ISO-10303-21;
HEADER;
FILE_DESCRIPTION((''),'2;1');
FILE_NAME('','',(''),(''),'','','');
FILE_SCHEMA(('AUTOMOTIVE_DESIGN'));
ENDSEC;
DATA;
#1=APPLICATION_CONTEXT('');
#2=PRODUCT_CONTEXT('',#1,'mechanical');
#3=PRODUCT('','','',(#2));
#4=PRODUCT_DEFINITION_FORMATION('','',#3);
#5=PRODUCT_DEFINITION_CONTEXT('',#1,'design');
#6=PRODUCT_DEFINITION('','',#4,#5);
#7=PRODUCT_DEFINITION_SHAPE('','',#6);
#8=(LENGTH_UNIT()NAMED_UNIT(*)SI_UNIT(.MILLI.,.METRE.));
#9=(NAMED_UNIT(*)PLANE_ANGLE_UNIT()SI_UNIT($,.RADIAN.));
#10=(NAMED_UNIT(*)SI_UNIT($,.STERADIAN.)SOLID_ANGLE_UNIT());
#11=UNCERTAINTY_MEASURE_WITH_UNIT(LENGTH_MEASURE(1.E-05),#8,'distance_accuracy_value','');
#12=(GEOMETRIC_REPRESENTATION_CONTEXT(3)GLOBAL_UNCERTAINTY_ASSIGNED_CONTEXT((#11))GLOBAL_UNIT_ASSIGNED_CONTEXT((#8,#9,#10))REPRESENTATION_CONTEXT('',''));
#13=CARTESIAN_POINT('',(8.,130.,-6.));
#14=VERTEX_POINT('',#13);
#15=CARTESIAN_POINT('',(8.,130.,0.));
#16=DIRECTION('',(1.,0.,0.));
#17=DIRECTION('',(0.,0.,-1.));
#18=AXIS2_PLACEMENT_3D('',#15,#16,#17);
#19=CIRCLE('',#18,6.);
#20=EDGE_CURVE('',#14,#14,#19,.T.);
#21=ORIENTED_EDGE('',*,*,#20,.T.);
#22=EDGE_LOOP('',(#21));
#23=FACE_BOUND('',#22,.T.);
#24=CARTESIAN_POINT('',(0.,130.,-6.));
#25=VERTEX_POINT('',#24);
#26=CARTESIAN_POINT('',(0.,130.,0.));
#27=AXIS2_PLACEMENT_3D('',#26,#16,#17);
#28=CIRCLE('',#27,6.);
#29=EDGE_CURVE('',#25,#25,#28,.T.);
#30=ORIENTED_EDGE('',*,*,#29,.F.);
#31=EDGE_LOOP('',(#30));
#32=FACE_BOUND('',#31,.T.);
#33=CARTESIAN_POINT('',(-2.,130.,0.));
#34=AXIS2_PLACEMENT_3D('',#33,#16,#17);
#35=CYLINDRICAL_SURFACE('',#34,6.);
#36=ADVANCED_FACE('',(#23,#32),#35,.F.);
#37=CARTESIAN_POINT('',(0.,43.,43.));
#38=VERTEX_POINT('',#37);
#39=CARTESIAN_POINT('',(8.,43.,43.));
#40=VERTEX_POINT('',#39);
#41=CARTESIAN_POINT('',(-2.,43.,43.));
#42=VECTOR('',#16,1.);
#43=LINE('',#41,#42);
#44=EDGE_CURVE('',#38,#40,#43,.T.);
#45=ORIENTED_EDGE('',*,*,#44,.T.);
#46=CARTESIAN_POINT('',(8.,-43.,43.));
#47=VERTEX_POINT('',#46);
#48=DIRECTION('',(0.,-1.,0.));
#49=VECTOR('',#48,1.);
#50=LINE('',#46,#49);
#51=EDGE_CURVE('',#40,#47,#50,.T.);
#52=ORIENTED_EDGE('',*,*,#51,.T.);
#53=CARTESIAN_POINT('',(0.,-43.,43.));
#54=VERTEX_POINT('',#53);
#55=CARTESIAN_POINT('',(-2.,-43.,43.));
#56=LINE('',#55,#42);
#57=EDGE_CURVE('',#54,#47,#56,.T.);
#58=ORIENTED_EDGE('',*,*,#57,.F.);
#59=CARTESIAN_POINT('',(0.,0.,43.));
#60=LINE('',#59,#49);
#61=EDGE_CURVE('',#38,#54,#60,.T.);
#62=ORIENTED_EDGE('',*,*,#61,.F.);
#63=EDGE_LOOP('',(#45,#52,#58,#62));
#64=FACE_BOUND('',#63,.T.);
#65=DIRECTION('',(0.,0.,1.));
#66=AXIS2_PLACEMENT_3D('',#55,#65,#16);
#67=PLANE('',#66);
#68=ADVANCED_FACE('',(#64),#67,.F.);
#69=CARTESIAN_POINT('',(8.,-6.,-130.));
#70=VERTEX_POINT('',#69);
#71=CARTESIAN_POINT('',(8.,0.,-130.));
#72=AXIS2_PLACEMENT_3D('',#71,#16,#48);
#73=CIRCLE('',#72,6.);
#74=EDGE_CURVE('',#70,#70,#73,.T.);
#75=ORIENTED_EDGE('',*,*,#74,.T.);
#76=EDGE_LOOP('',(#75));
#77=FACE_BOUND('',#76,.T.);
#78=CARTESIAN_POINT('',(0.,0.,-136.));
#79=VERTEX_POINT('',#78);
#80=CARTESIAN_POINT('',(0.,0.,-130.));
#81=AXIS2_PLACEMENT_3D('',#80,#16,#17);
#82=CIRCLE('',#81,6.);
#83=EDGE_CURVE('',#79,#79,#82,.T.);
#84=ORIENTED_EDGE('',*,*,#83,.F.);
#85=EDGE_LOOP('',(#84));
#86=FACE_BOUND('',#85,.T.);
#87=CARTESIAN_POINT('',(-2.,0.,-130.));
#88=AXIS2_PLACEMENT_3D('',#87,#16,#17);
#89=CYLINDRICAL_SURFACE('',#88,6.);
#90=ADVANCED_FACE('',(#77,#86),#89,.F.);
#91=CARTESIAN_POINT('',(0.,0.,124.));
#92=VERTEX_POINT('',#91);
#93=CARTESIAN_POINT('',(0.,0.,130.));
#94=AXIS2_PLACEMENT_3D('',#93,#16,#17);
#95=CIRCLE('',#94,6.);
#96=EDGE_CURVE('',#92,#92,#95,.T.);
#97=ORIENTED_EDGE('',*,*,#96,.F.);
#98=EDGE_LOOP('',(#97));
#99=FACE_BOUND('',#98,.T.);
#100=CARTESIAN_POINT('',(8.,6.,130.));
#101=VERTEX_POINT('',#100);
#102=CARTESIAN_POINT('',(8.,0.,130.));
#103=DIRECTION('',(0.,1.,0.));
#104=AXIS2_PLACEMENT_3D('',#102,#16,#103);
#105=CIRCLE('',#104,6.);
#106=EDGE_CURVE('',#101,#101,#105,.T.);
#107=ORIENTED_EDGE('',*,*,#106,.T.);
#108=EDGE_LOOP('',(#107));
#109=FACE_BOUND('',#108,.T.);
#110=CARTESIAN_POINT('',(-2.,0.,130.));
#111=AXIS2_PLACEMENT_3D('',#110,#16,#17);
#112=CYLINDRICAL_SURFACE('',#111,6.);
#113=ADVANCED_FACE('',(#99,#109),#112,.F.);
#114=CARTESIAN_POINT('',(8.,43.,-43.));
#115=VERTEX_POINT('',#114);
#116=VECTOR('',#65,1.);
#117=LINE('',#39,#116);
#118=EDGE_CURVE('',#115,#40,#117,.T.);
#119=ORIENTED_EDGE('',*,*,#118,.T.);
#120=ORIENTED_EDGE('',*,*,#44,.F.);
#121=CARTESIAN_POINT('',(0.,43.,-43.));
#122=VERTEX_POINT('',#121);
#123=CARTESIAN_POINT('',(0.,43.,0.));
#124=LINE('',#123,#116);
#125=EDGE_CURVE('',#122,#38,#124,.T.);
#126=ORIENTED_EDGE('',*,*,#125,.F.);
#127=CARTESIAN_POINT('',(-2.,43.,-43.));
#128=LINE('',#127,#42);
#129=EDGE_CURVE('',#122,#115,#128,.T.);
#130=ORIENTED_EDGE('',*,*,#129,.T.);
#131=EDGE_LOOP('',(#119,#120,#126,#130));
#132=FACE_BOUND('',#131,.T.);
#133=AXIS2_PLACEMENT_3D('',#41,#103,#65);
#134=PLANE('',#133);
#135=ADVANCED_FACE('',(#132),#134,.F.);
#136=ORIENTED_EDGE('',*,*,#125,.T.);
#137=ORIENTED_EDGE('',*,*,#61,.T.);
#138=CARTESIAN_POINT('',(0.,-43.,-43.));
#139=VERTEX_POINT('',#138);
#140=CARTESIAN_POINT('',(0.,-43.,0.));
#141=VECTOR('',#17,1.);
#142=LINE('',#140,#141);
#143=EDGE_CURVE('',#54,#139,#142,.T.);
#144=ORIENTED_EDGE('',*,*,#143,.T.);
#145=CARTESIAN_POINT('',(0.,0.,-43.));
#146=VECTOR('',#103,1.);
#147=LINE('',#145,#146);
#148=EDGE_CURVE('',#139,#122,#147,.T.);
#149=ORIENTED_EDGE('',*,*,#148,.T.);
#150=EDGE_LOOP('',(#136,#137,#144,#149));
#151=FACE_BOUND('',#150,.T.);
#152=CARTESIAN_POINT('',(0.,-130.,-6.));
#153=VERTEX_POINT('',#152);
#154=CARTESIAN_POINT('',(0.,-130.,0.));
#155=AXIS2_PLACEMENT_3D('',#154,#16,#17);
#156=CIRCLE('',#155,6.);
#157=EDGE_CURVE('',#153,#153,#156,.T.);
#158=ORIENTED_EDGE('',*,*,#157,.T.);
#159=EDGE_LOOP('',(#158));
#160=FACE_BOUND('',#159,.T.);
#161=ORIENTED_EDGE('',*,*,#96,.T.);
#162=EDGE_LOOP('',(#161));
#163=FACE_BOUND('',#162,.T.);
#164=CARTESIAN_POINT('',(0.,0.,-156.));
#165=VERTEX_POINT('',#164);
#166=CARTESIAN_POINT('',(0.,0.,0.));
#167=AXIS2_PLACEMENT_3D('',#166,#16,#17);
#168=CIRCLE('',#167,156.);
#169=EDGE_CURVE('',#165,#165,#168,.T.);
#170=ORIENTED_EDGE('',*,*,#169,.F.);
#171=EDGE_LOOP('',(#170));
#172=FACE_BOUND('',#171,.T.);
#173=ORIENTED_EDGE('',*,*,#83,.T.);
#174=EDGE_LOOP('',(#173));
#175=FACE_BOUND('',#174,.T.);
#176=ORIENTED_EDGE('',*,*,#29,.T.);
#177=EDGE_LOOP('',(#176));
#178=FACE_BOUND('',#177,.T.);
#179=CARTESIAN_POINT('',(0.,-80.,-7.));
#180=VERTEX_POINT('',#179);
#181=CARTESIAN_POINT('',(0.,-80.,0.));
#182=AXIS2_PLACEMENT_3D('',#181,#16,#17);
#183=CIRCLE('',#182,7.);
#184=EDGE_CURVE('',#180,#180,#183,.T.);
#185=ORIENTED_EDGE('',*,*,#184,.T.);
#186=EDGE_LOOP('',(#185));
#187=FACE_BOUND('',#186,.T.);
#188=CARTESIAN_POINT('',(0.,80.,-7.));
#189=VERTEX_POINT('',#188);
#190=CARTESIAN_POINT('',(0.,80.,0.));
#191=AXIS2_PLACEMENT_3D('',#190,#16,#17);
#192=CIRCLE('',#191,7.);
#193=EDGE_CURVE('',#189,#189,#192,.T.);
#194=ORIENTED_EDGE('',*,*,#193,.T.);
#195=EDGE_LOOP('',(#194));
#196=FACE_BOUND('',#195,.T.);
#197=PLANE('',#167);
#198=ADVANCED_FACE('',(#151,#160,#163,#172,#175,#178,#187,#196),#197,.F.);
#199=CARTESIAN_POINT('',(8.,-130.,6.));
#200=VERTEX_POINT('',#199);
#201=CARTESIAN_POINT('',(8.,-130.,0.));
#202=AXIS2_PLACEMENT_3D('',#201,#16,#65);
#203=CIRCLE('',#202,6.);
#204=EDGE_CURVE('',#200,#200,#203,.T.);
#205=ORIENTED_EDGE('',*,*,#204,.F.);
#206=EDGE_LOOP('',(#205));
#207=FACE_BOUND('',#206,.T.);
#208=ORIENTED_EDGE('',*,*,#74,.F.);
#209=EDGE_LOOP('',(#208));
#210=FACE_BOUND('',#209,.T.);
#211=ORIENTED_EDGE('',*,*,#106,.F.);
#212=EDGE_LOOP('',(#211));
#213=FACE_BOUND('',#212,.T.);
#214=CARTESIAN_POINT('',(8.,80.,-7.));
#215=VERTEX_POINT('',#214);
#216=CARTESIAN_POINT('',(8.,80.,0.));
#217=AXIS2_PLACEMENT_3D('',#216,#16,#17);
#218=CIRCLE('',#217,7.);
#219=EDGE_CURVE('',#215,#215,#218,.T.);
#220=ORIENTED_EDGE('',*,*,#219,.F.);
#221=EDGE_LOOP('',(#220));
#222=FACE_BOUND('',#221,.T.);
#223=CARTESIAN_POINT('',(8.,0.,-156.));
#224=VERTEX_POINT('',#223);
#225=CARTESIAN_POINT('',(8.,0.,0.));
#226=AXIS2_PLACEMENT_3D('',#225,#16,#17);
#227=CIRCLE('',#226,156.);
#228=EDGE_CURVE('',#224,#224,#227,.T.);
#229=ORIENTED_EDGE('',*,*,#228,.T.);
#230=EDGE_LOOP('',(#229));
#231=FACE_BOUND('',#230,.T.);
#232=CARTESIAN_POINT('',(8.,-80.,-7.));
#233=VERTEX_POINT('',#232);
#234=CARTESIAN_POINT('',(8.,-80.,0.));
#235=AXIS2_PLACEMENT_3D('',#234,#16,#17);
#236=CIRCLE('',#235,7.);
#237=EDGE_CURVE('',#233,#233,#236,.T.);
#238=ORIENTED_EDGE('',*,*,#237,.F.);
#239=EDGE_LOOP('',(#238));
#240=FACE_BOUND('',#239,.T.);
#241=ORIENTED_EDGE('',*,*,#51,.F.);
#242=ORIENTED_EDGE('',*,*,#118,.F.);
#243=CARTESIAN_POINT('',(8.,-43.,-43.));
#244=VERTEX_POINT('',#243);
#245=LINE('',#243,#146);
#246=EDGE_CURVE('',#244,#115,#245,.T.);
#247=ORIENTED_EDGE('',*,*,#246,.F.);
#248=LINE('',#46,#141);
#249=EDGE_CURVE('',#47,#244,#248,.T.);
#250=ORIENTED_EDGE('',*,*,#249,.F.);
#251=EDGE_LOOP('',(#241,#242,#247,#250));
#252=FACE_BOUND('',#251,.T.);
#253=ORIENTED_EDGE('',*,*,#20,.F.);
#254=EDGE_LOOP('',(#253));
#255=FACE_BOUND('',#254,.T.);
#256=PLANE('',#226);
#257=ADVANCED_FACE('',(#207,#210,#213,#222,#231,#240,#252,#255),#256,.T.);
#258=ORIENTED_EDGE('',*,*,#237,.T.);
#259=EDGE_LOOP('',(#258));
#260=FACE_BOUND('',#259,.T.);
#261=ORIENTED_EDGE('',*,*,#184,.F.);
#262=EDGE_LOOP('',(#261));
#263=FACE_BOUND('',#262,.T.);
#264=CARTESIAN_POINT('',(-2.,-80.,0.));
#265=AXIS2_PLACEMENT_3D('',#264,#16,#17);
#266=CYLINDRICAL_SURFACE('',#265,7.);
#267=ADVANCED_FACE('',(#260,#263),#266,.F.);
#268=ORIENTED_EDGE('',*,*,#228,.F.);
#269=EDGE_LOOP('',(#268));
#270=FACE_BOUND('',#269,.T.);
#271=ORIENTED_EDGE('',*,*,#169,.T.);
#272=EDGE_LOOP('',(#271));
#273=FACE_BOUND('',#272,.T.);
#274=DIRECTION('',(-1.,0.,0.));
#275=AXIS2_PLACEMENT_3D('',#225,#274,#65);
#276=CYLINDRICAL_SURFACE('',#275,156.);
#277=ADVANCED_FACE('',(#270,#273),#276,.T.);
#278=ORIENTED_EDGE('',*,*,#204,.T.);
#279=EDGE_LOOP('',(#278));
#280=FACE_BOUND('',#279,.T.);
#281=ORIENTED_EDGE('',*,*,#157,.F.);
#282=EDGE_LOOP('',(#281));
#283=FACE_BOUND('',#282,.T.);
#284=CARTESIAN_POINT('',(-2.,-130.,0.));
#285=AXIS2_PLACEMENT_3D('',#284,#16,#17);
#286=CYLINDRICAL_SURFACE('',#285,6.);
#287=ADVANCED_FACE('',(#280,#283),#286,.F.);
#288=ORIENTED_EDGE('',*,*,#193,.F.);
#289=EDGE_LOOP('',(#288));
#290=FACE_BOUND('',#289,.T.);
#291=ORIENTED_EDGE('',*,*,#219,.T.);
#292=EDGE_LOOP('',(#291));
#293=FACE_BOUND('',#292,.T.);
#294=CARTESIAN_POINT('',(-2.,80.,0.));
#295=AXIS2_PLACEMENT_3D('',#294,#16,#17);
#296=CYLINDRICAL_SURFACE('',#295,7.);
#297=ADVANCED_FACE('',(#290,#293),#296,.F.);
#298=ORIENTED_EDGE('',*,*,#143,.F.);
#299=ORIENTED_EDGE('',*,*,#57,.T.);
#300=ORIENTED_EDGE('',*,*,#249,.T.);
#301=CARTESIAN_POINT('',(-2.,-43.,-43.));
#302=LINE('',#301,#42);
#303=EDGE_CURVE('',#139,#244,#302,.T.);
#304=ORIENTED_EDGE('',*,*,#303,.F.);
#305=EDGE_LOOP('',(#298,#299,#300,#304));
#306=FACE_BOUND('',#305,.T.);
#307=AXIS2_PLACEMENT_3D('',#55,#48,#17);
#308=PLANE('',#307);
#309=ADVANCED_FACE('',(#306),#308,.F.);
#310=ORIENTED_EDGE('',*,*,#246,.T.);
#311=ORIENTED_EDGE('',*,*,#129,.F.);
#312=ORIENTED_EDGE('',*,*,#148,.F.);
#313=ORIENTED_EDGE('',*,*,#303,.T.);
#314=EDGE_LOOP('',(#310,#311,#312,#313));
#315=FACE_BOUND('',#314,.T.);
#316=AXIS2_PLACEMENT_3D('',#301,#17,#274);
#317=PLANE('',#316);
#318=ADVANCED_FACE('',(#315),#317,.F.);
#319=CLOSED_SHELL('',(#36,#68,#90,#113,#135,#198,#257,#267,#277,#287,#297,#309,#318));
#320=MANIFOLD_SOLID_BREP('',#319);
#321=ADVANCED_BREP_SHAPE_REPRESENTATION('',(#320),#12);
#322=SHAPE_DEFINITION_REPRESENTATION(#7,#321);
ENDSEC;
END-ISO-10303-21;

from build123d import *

# Parameters (mm, degrees)
SKETCH_1_R               = 156
EXTRUDE_1_DEPTH          = 8
SKETCH_5_R               = 6
CUT_EXTRUDE_4_DEPTH      = 10
PATTERN_CIRCULAR_3_COUNT = 4
SKETCH_6_W               = 86
SKETCH_6_H               = 86
CUT_EXTRUDE_5_DEPTH      = 10
SKETCH_7_R               = 7
CUT_EXTRUDE_6_DEPTH      = 10


with BuildPart() as part:
    # 草图1 → 凸台-拉伸1 (new body)
    with BuildSketch(Plane(origin=(0, 0, 0), x_dir=(0, 0, -1), z_dir=(1, 0, 0))):
        Circle(SKETCH_1_R)
    extrude(amount=EXTRUDE_1_DEPTH)

    # 草图5 → 切除-拉伸4 (cut)
    with BuildSketch(Plane(origin=(8, 0, 0), x_dir=(0, 0, -1), z_dir=(1, 0, 0))):
        with Locations((0, 130)):
            Circle(SKETCH_5_R)
    cut_extrude_4 = extrude(amount=-CUT_EXTRUDE_4_DEPTH, mode=Mode.SUBTRACT)

    # 阵列(圆周)3: 切除-拉伸4 ×4 about axis
    pattern_circular_3_axis = Axis((0, 0, 0), (1, 0, 0))
    for i in range(1, PATTERN_CIRCULAR_3_COUNT):
        add(cut_extrude_4.rotate(pattern_circular_3_axis, i * 360 / PATTERN_CIRCULAR_3_COUNT), mode=Mode.SUBTRACT)

    # 草图6 → 切除-拉伸5 (cut)
    with BuildSketch(Plane(origin=(8, 0, 0), x_dir=(0, 0, -1), z_dir=(1, 0, 0))):
        Rectangle(SKETCH_6_W, SKETCH_6_H)
    extrude(amount=-CUT_EXTRUDE_5_DEPTH, mode=Mode.SUBTRACT)

    # 草图7 → 切除-拉伸6 (cut)
    with BuildSketch(Plane(origin=(8, 0, 0), x_dir=(0, 0, -1), z_dir=(1, 0, 0))):
        with Locations((0, 80)):
            Circle(SKETCH_7_R)
        with Locations((0, -80)):
            Circle(SKETCH_7_R)
    extrude(amount=-CUT_EXTRUDE_6_DEPTH, mode=Mode.SUBTRACT)


solid = part.part
